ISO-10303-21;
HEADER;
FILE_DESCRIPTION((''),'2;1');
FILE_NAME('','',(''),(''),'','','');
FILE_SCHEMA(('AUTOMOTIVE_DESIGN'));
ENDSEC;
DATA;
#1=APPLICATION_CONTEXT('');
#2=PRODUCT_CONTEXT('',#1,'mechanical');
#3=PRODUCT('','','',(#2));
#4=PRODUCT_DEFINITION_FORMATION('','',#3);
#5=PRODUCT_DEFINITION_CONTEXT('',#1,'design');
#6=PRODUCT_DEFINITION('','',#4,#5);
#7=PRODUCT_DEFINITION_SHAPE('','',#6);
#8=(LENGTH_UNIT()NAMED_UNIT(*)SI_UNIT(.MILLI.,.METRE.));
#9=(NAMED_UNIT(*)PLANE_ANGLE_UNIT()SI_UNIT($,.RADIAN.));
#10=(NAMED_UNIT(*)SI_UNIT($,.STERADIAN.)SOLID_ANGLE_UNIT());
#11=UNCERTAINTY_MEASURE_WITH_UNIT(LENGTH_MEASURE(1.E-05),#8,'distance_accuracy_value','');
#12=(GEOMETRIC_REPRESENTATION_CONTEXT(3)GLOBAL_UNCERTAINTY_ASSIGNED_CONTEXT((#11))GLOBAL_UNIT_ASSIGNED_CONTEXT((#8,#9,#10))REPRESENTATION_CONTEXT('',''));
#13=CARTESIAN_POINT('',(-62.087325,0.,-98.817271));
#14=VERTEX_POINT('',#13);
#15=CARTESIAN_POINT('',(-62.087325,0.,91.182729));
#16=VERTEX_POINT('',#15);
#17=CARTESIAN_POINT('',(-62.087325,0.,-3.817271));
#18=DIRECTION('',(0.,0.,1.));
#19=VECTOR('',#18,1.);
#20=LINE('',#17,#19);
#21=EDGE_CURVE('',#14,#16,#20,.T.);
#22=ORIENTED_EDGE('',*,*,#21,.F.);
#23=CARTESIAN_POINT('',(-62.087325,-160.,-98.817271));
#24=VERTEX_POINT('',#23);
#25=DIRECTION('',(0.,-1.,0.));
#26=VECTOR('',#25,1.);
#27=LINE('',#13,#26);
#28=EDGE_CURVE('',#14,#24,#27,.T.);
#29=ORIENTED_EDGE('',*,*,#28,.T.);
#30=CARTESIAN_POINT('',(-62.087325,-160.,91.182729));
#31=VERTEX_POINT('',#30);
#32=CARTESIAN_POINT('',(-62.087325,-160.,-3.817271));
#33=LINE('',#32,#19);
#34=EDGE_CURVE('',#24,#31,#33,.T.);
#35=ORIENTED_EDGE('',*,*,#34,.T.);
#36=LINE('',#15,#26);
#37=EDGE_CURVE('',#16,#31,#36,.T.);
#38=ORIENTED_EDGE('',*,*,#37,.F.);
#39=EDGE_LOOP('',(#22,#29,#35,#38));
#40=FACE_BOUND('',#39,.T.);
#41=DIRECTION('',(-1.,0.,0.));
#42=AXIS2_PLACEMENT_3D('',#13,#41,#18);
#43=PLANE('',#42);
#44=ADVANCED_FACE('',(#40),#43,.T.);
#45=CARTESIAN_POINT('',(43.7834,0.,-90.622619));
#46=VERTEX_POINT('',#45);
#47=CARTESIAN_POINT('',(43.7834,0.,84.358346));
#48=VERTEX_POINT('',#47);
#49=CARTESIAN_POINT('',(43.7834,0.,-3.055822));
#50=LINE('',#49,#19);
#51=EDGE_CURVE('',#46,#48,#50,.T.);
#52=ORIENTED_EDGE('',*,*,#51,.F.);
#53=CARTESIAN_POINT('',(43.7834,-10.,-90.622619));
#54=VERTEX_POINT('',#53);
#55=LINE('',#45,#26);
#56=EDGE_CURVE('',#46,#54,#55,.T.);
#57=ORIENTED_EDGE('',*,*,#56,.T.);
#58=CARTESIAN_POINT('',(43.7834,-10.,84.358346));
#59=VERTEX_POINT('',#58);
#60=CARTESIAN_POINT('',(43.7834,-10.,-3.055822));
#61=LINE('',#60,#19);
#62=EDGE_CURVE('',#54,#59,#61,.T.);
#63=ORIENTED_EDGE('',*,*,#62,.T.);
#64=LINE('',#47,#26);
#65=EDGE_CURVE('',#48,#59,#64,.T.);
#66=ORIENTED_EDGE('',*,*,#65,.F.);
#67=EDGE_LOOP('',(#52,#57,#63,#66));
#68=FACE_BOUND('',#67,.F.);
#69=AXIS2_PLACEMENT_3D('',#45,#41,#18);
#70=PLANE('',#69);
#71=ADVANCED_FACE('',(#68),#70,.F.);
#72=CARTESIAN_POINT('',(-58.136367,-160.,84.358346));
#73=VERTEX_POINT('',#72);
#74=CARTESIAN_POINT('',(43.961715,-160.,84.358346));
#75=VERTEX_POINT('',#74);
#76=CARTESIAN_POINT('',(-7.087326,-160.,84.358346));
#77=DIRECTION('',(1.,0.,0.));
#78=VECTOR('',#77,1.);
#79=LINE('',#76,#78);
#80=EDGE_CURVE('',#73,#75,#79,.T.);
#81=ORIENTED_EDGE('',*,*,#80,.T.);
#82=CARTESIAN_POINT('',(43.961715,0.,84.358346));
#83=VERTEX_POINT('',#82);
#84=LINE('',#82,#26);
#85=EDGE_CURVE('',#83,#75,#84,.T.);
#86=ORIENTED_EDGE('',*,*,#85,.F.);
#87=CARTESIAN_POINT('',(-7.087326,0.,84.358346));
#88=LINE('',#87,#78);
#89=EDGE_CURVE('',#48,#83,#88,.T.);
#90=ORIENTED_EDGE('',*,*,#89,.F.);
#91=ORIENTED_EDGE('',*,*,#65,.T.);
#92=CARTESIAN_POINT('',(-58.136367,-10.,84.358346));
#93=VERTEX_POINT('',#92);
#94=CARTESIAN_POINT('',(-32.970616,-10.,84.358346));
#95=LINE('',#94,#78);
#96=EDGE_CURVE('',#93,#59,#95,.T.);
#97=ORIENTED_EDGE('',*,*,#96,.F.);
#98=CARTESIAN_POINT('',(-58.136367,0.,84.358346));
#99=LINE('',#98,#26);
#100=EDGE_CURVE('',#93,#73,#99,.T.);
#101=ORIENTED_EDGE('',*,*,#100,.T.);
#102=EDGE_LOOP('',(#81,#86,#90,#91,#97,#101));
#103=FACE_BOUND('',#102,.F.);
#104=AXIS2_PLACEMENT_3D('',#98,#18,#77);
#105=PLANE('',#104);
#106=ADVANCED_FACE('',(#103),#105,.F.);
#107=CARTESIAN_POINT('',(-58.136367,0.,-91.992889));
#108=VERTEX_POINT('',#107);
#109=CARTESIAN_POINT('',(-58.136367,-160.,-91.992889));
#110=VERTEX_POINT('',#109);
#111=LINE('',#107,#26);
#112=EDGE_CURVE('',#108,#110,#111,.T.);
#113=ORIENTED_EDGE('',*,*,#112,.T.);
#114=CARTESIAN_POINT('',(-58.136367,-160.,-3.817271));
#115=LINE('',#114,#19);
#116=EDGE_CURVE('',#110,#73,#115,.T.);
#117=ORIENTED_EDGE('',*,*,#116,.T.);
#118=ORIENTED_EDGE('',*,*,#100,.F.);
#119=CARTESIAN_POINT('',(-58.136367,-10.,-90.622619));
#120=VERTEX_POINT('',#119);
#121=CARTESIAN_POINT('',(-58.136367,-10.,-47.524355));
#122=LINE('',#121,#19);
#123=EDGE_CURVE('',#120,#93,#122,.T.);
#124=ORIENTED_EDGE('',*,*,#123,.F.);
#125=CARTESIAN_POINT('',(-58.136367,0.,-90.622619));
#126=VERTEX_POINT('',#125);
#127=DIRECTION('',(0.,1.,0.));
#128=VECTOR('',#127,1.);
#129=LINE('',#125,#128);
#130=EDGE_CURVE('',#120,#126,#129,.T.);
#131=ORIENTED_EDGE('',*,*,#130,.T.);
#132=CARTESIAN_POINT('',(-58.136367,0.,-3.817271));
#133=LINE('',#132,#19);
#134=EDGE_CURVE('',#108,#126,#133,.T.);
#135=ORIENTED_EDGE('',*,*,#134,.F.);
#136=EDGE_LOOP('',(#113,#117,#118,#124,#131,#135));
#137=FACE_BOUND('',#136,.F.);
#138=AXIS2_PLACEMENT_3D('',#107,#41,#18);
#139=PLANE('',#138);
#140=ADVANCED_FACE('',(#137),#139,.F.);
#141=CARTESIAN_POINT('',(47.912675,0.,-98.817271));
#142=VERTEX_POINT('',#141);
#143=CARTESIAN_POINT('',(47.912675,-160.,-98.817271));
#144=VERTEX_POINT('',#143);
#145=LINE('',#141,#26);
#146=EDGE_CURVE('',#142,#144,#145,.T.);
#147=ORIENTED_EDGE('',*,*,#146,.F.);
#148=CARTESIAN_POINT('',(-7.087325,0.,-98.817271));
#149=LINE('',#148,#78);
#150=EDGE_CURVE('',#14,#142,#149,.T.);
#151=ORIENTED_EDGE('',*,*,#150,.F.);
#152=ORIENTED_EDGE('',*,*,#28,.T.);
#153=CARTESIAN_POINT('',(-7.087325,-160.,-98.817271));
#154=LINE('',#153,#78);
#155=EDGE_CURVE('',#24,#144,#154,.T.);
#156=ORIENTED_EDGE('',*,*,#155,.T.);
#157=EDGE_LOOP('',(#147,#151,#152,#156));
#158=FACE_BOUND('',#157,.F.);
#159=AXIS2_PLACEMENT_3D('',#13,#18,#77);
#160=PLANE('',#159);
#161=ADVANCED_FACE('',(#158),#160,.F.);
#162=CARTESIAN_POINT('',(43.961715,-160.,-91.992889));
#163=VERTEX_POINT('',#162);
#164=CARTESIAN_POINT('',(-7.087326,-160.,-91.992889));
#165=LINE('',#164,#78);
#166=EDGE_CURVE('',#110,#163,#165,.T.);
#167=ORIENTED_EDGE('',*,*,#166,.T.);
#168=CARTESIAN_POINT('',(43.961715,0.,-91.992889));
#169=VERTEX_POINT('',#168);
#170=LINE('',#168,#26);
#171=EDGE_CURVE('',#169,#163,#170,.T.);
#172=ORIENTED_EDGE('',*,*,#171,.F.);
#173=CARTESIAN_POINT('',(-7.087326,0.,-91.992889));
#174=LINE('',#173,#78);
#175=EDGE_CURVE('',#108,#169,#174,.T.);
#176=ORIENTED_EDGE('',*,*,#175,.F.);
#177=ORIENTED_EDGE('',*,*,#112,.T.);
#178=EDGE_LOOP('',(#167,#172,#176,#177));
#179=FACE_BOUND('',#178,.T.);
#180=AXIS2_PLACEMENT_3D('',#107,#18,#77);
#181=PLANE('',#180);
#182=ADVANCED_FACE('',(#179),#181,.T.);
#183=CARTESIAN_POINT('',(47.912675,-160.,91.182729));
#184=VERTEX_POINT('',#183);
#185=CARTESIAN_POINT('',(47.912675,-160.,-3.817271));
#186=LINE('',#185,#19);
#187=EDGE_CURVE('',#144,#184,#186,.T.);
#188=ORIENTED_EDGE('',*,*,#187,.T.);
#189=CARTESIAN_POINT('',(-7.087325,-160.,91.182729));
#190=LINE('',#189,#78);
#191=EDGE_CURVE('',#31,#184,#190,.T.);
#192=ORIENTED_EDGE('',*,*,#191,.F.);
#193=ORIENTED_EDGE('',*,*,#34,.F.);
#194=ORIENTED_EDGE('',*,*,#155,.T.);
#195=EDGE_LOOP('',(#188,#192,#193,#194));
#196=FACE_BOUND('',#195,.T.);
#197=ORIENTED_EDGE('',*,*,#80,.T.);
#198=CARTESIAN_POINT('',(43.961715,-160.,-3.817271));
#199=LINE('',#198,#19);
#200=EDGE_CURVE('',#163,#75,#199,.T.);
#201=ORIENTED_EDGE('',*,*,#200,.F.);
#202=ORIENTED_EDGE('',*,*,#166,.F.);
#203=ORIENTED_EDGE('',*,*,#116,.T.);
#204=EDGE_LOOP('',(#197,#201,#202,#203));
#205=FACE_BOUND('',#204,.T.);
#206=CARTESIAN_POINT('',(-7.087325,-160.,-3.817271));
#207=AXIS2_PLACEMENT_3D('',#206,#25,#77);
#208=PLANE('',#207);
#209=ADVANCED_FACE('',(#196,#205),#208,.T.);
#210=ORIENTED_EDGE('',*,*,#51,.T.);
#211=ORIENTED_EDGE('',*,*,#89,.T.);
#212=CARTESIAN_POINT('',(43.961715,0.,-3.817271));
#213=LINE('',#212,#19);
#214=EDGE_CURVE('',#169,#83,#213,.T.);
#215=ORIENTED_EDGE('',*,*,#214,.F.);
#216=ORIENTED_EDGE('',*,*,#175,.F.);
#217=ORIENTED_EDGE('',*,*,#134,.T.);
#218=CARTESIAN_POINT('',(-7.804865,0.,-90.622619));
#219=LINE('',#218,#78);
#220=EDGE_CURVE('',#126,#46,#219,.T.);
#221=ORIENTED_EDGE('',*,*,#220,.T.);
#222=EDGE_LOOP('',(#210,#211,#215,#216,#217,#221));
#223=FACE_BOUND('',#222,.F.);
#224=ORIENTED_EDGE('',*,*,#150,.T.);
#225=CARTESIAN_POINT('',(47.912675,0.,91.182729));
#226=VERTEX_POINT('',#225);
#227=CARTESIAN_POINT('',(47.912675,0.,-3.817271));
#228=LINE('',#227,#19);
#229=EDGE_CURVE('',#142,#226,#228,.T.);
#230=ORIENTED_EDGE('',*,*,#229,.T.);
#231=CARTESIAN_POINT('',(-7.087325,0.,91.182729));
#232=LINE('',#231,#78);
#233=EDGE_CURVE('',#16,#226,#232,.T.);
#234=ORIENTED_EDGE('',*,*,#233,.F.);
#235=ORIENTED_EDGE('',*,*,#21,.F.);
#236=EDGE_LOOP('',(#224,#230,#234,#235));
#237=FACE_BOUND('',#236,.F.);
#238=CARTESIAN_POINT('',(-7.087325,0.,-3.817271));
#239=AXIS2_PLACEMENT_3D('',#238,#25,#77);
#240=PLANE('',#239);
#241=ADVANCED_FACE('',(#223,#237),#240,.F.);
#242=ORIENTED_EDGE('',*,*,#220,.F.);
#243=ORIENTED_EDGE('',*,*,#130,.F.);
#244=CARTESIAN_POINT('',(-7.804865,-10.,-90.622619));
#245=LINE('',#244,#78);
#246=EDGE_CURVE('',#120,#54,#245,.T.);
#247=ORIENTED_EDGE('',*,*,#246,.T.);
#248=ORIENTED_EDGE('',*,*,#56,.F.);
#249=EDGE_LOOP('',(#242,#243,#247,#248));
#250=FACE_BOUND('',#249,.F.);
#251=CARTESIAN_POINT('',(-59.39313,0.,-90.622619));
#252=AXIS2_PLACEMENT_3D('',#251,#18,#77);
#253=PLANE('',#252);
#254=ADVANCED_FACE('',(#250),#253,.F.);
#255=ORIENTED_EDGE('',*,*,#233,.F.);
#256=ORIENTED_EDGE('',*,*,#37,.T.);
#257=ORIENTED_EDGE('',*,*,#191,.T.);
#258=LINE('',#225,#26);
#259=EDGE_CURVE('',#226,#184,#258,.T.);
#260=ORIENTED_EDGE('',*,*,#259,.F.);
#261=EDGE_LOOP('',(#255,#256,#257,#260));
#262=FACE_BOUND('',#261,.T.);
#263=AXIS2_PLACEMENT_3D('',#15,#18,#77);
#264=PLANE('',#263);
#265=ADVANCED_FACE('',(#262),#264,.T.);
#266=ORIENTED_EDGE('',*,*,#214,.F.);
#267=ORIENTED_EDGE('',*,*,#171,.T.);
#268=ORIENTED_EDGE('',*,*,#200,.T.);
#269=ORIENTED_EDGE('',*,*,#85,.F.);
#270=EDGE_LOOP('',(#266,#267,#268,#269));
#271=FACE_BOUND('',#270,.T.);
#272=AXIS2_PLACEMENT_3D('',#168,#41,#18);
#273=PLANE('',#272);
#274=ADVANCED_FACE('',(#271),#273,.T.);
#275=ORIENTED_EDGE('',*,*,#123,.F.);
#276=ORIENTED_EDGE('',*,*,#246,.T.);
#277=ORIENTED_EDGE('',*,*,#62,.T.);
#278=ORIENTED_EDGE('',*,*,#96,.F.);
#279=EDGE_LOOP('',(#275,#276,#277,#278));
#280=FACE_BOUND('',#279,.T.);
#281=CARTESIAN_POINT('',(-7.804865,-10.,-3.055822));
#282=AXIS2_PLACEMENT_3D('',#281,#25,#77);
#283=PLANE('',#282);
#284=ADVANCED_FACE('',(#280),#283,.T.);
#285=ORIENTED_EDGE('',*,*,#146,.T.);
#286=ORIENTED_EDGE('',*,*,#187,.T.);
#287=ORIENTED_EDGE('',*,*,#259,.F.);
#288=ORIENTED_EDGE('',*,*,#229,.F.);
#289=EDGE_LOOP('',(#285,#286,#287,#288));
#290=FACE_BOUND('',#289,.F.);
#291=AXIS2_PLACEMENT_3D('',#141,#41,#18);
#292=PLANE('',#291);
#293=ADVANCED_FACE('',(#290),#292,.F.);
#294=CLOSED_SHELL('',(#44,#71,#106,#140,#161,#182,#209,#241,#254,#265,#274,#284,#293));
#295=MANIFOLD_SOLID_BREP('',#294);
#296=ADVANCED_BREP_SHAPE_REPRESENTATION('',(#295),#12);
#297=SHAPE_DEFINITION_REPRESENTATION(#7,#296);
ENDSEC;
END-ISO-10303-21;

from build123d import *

# Parameters (mm, degrees)
F0_W     = 110
F0_H     = 190
F0_W_2   = 102.098083
F0_H_2   = 176.351235
F1_DEPTH = 160
F2_W     = 103.17653
F2_H     = 175.133594
F3_DEPTH = 10


with BuildPart() as f1:
    # F0 (on Front) → F1 (new body)
    with BuildSketch(Plane.XZ):
        with Locations((-7.087325, -3.817271)):
            Rectangle(F0_W, F0_H)
        with Locations((-7.087326, -3.817271)):
            Rectangle(F0_W_2, F0_H_2, mode=Mode.SUBTRACT)
    extrude(amount=F1_DEPTH)

    # F2 (on Front) → F3 (join)
    with BuildSketch(Plane.XZ):
        with Locations((-7.804865, -3.055822)):
            Rectangle(F2_W, F2_H)
    extrude(amount=F3_DEPTH)


solid = f1.part
